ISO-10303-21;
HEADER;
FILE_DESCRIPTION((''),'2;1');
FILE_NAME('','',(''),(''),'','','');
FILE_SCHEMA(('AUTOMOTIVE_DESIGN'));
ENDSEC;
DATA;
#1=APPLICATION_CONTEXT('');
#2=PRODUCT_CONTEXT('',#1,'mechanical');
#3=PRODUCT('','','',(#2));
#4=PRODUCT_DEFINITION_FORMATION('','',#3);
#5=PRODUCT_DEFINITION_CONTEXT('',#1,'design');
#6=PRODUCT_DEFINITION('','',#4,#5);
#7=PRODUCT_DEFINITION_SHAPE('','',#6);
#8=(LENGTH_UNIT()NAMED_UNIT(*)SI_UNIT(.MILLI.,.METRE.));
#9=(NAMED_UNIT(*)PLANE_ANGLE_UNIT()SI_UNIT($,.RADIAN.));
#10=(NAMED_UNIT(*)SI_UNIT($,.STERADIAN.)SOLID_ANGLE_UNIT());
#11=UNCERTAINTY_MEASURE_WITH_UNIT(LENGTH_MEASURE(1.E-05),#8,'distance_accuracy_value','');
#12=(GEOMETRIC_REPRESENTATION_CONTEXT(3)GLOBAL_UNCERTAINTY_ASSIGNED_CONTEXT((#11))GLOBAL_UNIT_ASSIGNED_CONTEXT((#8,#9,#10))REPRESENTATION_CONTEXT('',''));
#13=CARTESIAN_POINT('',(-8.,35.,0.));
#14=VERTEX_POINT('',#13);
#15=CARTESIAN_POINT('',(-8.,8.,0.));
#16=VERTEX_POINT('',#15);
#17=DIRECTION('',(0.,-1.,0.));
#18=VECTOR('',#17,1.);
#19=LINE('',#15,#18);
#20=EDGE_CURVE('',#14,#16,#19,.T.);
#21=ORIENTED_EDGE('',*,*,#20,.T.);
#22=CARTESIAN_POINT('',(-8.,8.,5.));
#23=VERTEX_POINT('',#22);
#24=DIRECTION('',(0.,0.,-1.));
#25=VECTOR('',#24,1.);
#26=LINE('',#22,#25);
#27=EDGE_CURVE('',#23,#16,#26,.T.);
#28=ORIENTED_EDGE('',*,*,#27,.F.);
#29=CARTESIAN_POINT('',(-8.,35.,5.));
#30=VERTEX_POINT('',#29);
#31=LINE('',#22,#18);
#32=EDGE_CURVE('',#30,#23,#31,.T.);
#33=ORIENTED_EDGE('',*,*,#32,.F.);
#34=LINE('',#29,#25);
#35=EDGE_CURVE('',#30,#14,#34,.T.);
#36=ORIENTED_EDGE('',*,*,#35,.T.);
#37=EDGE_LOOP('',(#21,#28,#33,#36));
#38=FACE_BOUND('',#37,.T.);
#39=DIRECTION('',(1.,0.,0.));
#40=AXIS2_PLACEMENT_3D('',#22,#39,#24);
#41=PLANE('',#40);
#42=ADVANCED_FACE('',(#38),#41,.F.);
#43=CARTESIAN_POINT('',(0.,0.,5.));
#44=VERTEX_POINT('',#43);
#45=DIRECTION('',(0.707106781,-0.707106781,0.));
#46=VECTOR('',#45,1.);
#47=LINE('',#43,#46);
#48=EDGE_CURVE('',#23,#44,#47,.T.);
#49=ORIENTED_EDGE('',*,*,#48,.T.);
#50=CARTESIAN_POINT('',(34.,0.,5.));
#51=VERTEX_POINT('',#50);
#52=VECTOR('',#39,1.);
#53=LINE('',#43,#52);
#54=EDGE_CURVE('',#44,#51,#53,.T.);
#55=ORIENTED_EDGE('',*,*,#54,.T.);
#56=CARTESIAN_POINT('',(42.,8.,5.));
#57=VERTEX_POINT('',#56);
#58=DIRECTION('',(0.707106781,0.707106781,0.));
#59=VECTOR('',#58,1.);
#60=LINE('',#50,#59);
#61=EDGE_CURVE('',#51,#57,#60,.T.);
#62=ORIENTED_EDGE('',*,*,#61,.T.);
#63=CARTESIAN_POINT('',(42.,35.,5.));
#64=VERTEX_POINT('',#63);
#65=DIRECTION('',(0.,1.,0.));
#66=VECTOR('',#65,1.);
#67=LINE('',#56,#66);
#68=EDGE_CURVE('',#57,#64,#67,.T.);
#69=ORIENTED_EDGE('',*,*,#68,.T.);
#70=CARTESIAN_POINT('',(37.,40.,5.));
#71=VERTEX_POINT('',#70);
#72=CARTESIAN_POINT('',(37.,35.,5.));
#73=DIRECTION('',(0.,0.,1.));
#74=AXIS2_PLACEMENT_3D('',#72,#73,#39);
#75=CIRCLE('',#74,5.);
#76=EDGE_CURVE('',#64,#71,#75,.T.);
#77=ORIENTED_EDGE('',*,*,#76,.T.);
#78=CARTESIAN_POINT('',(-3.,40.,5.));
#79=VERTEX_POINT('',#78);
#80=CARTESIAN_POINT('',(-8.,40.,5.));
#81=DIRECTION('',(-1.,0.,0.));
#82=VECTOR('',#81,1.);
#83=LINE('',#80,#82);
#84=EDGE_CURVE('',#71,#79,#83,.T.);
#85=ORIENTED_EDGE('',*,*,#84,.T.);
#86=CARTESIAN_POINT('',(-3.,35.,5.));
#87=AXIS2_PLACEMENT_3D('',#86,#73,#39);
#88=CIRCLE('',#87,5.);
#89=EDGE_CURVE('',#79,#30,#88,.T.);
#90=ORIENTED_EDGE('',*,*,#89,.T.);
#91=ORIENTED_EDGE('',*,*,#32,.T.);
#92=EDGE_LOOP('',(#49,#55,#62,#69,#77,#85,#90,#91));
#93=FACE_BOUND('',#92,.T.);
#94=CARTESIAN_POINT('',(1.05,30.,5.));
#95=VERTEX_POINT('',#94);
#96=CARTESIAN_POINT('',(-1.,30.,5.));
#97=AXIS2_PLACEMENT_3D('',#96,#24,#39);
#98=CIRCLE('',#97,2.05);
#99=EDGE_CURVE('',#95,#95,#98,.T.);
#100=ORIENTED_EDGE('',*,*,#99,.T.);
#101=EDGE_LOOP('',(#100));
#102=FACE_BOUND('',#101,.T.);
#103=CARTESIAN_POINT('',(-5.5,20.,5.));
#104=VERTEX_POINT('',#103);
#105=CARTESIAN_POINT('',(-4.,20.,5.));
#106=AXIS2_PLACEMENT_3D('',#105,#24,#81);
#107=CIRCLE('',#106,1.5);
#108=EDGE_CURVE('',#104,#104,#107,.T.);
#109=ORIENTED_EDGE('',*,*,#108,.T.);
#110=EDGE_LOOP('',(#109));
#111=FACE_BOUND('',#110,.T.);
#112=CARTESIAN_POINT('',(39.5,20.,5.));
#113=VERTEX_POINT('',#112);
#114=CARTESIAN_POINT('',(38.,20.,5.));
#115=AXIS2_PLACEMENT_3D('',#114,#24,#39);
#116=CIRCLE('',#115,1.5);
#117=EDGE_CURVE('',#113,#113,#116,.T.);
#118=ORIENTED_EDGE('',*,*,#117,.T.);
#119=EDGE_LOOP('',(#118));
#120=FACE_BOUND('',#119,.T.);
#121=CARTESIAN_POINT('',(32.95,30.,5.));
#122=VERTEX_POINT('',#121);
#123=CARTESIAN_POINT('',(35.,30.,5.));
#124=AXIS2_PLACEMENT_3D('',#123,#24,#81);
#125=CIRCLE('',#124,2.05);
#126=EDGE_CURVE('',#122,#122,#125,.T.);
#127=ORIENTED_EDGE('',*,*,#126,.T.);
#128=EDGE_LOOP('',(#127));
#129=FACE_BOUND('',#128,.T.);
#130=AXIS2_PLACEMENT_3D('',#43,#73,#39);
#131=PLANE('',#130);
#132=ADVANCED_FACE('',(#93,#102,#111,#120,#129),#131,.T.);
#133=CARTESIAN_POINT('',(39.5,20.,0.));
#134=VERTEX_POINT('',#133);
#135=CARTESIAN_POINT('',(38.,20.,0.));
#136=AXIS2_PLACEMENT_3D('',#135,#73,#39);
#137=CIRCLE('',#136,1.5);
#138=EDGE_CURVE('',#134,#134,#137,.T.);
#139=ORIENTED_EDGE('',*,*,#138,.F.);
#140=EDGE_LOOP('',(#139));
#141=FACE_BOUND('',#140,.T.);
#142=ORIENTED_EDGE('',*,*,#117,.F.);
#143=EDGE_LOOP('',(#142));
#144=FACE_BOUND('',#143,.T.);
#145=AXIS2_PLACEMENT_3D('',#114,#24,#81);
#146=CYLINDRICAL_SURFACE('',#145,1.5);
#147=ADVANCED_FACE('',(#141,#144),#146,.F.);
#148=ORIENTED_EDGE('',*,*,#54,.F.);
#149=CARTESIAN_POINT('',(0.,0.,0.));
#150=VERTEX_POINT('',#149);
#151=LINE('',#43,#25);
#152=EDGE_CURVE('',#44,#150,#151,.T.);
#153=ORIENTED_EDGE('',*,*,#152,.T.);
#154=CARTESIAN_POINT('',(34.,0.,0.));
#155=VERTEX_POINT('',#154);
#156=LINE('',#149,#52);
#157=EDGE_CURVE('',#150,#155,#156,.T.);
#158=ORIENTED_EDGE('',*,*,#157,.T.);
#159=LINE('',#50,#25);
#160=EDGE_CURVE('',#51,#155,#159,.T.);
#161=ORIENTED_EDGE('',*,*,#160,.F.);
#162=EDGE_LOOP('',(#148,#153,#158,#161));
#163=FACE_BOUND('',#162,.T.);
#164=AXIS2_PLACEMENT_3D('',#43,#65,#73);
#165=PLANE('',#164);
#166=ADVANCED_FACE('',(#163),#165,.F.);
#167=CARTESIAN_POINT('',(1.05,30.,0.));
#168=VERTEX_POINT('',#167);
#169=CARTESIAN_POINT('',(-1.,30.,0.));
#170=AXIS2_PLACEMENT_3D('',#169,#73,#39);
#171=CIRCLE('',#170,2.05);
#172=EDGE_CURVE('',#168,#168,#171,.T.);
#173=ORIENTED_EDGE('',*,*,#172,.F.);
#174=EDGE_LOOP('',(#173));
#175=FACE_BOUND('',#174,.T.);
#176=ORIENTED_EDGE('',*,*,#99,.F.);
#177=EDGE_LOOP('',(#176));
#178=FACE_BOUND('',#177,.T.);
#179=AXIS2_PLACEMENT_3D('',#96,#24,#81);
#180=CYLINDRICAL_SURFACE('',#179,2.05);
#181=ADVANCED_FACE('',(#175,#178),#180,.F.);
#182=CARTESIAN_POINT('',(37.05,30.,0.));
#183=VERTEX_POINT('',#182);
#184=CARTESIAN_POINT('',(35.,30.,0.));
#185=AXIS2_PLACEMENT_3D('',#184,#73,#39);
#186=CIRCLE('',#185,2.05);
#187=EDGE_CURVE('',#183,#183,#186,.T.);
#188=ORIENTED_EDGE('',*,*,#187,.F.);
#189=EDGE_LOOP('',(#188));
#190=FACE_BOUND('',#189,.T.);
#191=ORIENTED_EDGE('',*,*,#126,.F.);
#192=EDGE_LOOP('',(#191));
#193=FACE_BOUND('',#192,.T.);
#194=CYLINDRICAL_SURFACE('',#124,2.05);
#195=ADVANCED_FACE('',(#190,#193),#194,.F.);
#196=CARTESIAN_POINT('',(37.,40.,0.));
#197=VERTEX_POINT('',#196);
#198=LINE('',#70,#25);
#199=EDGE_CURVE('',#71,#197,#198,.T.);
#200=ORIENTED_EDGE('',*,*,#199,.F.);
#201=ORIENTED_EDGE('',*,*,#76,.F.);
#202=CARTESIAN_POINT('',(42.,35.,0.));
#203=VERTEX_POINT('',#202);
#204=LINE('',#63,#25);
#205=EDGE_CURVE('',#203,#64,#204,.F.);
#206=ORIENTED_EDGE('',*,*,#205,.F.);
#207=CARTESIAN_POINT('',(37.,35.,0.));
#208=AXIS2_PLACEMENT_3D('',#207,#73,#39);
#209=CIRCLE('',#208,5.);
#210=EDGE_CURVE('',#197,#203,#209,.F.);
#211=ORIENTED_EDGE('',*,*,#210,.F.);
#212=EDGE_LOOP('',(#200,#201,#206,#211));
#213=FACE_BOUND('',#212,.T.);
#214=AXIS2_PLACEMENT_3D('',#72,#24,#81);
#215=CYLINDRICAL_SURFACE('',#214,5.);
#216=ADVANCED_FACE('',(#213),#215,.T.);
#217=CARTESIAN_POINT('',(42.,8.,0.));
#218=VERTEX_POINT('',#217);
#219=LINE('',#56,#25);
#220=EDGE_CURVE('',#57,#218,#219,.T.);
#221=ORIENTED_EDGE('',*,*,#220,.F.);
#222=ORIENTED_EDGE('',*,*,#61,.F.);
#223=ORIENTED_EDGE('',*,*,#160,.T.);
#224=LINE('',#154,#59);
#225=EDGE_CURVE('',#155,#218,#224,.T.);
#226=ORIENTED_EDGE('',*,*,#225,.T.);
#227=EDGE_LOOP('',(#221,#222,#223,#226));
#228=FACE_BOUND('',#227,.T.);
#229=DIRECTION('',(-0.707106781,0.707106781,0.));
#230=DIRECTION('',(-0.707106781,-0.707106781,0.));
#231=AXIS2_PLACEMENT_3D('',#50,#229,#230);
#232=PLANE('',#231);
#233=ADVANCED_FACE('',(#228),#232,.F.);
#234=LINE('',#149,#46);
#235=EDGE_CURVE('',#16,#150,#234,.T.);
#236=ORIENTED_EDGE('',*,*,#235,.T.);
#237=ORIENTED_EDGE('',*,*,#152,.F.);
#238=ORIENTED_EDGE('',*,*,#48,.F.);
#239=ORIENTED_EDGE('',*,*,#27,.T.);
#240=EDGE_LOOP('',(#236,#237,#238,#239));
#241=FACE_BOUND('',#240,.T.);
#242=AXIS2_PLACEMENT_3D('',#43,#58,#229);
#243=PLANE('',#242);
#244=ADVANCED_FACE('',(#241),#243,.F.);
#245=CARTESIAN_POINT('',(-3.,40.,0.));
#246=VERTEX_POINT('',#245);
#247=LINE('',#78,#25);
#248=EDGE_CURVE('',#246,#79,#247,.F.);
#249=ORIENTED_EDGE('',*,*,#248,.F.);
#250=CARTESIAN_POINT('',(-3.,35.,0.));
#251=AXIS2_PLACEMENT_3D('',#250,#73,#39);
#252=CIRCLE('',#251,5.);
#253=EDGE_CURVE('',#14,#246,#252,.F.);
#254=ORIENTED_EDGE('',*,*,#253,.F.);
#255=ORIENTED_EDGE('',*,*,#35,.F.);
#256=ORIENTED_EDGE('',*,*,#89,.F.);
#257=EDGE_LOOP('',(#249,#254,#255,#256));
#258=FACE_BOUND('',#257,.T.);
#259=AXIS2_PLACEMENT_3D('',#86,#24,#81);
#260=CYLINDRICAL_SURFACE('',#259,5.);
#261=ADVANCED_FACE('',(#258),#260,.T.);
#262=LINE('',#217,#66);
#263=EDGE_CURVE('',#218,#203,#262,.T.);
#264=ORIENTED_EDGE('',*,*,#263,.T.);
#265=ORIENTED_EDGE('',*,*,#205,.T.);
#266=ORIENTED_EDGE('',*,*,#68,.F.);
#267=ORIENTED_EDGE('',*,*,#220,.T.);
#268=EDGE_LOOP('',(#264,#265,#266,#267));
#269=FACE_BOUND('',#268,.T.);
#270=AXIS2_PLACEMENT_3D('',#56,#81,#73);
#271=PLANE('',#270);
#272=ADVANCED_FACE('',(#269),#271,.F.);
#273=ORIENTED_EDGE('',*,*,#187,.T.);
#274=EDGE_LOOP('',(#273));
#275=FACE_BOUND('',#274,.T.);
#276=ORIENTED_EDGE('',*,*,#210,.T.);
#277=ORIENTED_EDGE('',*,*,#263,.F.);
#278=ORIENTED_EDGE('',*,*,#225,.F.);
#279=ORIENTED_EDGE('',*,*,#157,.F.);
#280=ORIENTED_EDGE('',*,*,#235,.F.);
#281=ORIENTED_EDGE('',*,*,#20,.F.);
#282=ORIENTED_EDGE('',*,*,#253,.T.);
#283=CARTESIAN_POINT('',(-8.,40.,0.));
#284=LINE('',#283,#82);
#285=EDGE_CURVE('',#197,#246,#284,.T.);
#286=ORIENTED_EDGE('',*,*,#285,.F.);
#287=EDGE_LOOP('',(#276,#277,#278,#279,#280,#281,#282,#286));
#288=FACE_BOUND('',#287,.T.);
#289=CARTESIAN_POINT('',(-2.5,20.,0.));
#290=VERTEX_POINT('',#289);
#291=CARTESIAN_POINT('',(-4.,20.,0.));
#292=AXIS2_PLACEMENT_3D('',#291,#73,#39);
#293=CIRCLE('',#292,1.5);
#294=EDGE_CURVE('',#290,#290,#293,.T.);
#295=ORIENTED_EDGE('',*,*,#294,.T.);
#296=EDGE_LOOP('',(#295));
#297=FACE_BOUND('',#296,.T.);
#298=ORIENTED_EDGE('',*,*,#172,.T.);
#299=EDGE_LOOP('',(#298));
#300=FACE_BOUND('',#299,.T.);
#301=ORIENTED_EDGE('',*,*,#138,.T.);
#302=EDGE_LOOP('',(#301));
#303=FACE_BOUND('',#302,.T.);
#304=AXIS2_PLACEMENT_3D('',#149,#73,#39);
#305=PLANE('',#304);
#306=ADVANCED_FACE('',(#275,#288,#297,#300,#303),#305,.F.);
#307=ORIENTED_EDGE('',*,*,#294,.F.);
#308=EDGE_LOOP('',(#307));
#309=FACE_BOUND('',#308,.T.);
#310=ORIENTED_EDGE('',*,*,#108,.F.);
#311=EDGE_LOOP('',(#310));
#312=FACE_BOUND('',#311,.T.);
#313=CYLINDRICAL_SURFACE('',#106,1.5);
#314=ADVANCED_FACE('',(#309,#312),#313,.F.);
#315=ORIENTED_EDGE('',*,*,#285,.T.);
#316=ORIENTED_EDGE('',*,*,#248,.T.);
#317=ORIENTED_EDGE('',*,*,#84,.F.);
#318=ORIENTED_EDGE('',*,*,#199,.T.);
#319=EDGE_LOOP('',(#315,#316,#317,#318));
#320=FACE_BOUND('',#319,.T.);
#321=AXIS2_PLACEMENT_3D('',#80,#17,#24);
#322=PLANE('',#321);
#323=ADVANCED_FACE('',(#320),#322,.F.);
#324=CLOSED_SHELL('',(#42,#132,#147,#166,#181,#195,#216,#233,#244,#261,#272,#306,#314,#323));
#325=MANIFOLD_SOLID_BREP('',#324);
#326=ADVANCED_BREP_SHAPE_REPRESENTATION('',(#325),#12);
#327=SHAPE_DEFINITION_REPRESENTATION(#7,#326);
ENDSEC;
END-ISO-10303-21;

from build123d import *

# Parameters (mm, degrees)
BOSS_EXTRU_1_DEPTH           = 5
ENL_V_MAT_EXTRU_2_DEPTH      = 59.215118311
ENL_V_MAT_EXTRU_2_DEPTH_BACK = 59.215118311
ESQUISSE3_R                  = 1.5
ESQUISSE3_R_2                = 2.05
CONG_1_R                     = 5


with BuildPart() as part:
    # Esquisse1 → Boss.-Extru.1 (new body)
    with BuildSketch(Plane.XY):
        Polygon((0, 0), (-8, 8), (-8, 40), (42, 40), (42, 8), (34, 0), align=None)
    extrude(amount=BOSS_EXTRU_1_DEPTH)

    # Esquisse3 → Enlèv. mat.-Extru.2 (cut, two sides: drawn at the far end of the back side and taken through both)
    with BuildSketch(Plane(origin=(0, 0, 0), x_dir=(-1, 0, 0), z_dir=(0, 0, -1)).offset(-ENL_V_MAT_EXTRU_2_DEPTH_BACK)):
        with Locations((4, 20)):
            Circle(ESQUISSE3_R)
        with Locations(Location((-38, 20, 0), (0, 0, 180))):
            Circle(ESQUISSE3_R)
        with Locations((-35, 30)):
            Circle(ESQUISSE3_R_2)
        with Locations(Location((1, 30, 0), (0, 0, 180))):
            Circle(ESQUISSE3_R_2)
    extrude(amount=ENL_V_MAT_EXTRU_2_DEPTH + ENL_V_MAT_EXTRU_2_DEPTH_BACK, mode=Mode.SUBTRACT)

    # Congé1
    cong_1_edges = [part.edges().sort_by_distance(p)[0] for p in [
        (-8, 40, 2.5),
        (42, 40, 2.5),
    ]]
    fillet(cong_1_edges, radius=CONG_1_R)


solid = part.part
